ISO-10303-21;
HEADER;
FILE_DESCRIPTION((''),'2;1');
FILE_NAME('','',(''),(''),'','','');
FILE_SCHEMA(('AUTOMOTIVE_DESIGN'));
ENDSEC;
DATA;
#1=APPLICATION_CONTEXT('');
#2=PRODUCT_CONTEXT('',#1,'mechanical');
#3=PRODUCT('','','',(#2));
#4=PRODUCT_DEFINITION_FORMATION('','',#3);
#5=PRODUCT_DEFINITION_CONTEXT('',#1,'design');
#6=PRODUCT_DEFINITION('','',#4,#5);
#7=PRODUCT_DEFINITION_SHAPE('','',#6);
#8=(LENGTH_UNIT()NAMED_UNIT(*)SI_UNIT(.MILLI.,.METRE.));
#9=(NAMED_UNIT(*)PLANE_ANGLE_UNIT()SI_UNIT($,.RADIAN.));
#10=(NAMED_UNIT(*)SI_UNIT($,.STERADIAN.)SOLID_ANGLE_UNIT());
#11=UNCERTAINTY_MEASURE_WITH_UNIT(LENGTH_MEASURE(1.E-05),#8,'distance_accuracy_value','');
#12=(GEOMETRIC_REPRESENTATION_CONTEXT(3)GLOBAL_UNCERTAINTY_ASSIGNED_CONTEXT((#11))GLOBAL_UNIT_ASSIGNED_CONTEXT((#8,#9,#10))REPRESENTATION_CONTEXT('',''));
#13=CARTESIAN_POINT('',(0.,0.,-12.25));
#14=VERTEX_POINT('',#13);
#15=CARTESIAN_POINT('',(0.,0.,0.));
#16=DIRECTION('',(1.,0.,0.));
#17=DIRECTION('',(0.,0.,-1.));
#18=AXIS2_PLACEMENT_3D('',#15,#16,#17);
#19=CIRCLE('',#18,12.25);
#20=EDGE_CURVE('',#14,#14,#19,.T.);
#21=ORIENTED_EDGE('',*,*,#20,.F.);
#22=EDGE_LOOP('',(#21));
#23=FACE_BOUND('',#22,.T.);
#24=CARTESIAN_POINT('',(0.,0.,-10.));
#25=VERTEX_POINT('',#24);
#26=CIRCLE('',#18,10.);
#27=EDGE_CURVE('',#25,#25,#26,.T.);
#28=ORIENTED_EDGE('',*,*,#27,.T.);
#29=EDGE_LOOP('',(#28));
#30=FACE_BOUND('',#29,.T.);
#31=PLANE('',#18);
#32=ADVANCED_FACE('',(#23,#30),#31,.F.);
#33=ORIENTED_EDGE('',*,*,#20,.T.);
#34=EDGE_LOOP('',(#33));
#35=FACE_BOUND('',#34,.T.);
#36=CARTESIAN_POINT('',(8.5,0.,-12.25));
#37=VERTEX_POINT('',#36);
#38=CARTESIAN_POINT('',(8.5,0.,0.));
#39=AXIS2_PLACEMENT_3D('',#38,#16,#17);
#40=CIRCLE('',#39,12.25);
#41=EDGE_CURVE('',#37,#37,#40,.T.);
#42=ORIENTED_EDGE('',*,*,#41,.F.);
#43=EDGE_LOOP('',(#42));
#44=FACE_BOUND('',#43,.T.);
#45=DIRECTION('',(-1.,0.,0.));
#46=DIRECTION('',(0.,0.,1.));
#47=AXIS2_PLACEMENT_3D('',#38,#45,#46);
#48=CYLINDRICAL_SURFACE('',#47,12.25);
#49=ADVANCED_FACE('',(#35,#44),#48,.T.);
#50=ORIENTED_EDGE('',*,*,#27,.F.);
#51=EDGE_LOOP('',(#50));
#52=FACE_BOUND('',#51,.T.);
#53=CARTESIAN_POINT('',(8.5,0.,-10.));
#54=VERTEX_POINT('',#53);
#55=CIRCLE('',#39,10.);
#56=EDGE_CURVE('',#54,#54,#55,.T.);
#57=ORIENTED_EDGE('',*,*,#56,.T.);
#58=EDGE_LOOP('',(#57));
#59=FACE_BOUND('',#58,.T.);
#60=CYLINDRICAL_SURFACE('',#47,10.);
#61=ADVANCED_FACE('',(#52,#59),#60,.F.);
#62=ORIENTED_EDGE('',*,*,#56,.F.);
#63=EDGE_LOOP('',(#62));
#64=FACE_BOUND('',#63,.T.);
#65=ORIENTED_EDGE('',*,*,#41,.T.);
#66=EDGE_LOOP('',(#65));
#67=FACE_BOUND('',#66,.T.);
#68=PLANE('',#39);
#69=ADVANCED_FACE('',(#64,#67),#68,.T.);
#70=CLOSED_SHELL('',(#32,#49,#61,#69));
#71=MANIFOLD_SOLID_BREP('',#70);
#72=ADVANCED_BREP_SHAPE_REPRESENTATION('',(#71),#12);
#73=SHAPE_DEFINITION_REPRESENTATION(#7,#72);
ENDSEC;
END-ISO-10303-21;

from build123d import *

# Parameters (mm, degrees)
SKETCH_1_R      = 12.25
SKETCH_1_R_2    = 10
EXTRUDE_1_DEPTH = 8.5


with BuildPart() as part:
    # ｽｹｯﾁ1 → ﾎﾞｽ - 押し出し1 (new body)
    with BuildSketch(Plane.YZ):
        with Locations(Location((0, 0, 0), (0, 0, 270))):
            Circle(SKETCH_1_R)
        with Locations(Location((0, 0, 0), (0, 0, 270))):
            Circle(SKETCH_1_R_2, mode=Mode.SUBTRACT)
    extrude(amount=EXTRUDE_1_DEPTH)


solid = part.part
